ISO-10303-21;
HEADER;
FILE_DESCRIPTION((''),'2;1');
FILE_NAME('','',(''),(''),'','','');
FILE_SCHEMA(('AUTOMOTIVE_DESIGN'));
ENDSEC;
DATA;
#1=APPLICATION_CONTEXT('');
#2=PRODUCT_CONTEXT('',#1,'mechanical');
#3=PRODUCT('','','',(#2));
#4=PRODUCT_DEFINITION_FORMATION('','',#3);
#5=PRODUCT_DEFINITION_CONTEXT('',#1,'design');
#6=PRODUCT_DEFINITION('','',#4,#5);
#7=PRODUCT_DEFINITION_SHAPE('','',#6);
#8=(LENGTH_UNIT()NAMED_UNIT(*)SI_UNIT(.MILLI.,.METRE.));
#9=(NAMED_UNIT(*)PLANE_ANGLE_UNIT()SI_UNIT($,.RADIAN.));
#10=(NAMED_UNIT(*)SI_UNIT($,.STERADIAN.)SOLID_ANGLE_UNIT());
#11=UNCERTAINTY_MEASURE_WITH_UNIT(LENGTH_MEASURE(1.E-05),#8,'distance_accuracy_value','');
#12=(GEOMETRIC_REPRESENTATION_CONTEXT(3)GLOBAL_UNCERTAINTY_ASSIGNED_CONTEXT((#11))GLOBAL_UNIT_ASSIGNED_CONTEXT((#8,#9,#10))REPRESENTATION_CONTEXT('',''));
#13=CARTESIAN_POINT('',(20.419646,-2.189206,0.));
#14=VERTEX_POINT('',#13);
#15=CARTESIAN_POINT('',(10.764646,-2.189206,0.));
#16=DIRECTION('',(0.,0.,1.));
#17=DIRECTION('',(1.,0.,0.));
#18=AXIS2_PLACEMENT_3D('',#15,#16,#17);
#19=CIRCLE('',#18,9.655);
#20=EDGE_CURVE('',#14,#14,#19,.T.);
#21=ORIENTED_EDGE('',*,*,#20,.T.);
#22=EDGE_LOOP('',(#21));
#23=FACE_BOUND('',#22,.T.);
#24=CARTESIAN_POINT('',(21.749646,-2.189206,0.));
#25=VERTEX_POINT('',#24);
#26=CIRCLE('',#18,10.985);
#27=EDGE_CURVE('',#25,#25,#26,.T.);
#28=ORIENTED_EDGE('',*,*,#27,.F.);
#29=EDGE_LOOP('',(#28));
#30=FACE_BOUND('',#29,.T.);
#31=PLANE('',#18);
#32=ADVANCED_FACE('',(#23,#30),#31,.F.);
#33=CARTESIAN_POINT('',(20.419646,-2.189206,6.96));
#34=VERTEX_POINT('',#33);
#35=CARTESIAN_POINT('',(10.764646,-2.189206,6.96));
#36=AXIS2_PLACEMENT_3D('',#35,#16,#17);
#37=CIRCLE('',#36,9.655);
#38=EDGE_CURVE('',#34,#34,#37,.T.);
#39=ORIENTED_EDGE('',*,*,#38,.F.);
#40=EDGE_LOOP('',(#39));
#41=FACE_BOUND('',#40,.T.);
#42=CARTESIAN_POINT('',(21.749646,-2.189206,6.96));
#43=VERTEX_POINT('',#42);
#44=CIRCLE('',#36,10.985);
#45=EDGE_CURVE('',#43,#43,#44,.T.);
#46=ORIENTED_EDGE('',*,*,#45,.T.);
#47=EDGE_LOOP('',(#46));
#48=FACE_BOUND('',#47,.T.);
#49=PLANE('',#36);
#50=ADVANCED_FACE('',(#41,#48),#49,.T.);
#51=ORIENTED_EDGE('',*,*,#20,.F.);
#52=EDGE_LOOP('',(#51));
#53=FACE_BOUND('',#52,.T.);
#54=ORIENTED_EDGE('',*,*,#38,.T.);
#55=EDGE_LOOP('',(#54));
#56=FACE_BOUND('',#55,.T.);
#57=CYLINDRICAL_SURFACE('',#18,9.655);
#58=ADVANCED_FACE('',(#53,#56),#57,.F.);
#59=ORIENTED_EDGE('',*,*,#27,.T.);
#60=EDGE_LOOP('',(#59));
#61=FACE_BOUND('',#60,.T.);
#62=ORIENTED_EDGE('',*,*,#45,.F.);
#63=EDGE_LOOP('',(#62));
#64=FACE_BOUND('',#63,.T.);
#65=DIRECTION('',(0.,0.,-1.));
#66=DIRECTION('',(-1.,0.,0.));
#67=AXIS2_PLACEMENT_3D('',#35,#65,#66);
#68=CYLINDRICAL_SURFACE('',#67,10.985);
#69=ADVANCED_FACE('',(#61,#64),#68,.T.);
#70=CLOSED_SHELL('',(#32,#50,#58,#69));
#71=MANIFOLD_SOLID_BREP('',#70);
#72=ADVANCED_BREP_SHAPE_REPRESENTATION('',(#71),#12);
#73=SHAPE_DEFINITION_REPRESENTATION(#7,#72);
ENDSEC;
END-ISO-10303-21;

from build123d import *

# Parameters (mm, degrees)
SKETCH1_R           = 10.985
SKETCH1_R_2         = 3.965
BOSS_EXTRUDE1_DEPTH = 6.96
CUT_EXTRUDE1_START  = -6.96
SKETCH2_R           = 9.655
SKETCH2_R_2         = 3.965
CUT_EXTRUDE1_DEPTH  = 6.96


with BuildPart() as part:
    # Sketch1 → Boss-Extrude1 (new body)
    with BuildSketch(Plane.XY):
        with Locations((10.764645842, -2.189206451)):
            Circle(SKETCH1_R)
        with Locations((10.764645842, -2.189206451)):
            Circle(SKETCH1_R_2, mode=Mode.SUBTRACT)
    extrude(amount=BOSS_EXTRUDE1_DEPTH)

    # Sketch2 → Cut-Extrude1 (cut)
    with BuildSketch(Plane.XY.offset(6.96).offset(CUT_EXTRUDE1_START)):
        with Locations((10.764645842, -2.189206451)):
            Circle(SKETCH2_R)
        with Locations((10.764645842, -2.189206451)):
            Circle(SKETCH2_R_2, mode=Mode.SUBTRACT)
    extrude(amount=CUT_EXTRUDE1_DEPTH, mode=Mode.SUBTRACT)


solid = part.part
